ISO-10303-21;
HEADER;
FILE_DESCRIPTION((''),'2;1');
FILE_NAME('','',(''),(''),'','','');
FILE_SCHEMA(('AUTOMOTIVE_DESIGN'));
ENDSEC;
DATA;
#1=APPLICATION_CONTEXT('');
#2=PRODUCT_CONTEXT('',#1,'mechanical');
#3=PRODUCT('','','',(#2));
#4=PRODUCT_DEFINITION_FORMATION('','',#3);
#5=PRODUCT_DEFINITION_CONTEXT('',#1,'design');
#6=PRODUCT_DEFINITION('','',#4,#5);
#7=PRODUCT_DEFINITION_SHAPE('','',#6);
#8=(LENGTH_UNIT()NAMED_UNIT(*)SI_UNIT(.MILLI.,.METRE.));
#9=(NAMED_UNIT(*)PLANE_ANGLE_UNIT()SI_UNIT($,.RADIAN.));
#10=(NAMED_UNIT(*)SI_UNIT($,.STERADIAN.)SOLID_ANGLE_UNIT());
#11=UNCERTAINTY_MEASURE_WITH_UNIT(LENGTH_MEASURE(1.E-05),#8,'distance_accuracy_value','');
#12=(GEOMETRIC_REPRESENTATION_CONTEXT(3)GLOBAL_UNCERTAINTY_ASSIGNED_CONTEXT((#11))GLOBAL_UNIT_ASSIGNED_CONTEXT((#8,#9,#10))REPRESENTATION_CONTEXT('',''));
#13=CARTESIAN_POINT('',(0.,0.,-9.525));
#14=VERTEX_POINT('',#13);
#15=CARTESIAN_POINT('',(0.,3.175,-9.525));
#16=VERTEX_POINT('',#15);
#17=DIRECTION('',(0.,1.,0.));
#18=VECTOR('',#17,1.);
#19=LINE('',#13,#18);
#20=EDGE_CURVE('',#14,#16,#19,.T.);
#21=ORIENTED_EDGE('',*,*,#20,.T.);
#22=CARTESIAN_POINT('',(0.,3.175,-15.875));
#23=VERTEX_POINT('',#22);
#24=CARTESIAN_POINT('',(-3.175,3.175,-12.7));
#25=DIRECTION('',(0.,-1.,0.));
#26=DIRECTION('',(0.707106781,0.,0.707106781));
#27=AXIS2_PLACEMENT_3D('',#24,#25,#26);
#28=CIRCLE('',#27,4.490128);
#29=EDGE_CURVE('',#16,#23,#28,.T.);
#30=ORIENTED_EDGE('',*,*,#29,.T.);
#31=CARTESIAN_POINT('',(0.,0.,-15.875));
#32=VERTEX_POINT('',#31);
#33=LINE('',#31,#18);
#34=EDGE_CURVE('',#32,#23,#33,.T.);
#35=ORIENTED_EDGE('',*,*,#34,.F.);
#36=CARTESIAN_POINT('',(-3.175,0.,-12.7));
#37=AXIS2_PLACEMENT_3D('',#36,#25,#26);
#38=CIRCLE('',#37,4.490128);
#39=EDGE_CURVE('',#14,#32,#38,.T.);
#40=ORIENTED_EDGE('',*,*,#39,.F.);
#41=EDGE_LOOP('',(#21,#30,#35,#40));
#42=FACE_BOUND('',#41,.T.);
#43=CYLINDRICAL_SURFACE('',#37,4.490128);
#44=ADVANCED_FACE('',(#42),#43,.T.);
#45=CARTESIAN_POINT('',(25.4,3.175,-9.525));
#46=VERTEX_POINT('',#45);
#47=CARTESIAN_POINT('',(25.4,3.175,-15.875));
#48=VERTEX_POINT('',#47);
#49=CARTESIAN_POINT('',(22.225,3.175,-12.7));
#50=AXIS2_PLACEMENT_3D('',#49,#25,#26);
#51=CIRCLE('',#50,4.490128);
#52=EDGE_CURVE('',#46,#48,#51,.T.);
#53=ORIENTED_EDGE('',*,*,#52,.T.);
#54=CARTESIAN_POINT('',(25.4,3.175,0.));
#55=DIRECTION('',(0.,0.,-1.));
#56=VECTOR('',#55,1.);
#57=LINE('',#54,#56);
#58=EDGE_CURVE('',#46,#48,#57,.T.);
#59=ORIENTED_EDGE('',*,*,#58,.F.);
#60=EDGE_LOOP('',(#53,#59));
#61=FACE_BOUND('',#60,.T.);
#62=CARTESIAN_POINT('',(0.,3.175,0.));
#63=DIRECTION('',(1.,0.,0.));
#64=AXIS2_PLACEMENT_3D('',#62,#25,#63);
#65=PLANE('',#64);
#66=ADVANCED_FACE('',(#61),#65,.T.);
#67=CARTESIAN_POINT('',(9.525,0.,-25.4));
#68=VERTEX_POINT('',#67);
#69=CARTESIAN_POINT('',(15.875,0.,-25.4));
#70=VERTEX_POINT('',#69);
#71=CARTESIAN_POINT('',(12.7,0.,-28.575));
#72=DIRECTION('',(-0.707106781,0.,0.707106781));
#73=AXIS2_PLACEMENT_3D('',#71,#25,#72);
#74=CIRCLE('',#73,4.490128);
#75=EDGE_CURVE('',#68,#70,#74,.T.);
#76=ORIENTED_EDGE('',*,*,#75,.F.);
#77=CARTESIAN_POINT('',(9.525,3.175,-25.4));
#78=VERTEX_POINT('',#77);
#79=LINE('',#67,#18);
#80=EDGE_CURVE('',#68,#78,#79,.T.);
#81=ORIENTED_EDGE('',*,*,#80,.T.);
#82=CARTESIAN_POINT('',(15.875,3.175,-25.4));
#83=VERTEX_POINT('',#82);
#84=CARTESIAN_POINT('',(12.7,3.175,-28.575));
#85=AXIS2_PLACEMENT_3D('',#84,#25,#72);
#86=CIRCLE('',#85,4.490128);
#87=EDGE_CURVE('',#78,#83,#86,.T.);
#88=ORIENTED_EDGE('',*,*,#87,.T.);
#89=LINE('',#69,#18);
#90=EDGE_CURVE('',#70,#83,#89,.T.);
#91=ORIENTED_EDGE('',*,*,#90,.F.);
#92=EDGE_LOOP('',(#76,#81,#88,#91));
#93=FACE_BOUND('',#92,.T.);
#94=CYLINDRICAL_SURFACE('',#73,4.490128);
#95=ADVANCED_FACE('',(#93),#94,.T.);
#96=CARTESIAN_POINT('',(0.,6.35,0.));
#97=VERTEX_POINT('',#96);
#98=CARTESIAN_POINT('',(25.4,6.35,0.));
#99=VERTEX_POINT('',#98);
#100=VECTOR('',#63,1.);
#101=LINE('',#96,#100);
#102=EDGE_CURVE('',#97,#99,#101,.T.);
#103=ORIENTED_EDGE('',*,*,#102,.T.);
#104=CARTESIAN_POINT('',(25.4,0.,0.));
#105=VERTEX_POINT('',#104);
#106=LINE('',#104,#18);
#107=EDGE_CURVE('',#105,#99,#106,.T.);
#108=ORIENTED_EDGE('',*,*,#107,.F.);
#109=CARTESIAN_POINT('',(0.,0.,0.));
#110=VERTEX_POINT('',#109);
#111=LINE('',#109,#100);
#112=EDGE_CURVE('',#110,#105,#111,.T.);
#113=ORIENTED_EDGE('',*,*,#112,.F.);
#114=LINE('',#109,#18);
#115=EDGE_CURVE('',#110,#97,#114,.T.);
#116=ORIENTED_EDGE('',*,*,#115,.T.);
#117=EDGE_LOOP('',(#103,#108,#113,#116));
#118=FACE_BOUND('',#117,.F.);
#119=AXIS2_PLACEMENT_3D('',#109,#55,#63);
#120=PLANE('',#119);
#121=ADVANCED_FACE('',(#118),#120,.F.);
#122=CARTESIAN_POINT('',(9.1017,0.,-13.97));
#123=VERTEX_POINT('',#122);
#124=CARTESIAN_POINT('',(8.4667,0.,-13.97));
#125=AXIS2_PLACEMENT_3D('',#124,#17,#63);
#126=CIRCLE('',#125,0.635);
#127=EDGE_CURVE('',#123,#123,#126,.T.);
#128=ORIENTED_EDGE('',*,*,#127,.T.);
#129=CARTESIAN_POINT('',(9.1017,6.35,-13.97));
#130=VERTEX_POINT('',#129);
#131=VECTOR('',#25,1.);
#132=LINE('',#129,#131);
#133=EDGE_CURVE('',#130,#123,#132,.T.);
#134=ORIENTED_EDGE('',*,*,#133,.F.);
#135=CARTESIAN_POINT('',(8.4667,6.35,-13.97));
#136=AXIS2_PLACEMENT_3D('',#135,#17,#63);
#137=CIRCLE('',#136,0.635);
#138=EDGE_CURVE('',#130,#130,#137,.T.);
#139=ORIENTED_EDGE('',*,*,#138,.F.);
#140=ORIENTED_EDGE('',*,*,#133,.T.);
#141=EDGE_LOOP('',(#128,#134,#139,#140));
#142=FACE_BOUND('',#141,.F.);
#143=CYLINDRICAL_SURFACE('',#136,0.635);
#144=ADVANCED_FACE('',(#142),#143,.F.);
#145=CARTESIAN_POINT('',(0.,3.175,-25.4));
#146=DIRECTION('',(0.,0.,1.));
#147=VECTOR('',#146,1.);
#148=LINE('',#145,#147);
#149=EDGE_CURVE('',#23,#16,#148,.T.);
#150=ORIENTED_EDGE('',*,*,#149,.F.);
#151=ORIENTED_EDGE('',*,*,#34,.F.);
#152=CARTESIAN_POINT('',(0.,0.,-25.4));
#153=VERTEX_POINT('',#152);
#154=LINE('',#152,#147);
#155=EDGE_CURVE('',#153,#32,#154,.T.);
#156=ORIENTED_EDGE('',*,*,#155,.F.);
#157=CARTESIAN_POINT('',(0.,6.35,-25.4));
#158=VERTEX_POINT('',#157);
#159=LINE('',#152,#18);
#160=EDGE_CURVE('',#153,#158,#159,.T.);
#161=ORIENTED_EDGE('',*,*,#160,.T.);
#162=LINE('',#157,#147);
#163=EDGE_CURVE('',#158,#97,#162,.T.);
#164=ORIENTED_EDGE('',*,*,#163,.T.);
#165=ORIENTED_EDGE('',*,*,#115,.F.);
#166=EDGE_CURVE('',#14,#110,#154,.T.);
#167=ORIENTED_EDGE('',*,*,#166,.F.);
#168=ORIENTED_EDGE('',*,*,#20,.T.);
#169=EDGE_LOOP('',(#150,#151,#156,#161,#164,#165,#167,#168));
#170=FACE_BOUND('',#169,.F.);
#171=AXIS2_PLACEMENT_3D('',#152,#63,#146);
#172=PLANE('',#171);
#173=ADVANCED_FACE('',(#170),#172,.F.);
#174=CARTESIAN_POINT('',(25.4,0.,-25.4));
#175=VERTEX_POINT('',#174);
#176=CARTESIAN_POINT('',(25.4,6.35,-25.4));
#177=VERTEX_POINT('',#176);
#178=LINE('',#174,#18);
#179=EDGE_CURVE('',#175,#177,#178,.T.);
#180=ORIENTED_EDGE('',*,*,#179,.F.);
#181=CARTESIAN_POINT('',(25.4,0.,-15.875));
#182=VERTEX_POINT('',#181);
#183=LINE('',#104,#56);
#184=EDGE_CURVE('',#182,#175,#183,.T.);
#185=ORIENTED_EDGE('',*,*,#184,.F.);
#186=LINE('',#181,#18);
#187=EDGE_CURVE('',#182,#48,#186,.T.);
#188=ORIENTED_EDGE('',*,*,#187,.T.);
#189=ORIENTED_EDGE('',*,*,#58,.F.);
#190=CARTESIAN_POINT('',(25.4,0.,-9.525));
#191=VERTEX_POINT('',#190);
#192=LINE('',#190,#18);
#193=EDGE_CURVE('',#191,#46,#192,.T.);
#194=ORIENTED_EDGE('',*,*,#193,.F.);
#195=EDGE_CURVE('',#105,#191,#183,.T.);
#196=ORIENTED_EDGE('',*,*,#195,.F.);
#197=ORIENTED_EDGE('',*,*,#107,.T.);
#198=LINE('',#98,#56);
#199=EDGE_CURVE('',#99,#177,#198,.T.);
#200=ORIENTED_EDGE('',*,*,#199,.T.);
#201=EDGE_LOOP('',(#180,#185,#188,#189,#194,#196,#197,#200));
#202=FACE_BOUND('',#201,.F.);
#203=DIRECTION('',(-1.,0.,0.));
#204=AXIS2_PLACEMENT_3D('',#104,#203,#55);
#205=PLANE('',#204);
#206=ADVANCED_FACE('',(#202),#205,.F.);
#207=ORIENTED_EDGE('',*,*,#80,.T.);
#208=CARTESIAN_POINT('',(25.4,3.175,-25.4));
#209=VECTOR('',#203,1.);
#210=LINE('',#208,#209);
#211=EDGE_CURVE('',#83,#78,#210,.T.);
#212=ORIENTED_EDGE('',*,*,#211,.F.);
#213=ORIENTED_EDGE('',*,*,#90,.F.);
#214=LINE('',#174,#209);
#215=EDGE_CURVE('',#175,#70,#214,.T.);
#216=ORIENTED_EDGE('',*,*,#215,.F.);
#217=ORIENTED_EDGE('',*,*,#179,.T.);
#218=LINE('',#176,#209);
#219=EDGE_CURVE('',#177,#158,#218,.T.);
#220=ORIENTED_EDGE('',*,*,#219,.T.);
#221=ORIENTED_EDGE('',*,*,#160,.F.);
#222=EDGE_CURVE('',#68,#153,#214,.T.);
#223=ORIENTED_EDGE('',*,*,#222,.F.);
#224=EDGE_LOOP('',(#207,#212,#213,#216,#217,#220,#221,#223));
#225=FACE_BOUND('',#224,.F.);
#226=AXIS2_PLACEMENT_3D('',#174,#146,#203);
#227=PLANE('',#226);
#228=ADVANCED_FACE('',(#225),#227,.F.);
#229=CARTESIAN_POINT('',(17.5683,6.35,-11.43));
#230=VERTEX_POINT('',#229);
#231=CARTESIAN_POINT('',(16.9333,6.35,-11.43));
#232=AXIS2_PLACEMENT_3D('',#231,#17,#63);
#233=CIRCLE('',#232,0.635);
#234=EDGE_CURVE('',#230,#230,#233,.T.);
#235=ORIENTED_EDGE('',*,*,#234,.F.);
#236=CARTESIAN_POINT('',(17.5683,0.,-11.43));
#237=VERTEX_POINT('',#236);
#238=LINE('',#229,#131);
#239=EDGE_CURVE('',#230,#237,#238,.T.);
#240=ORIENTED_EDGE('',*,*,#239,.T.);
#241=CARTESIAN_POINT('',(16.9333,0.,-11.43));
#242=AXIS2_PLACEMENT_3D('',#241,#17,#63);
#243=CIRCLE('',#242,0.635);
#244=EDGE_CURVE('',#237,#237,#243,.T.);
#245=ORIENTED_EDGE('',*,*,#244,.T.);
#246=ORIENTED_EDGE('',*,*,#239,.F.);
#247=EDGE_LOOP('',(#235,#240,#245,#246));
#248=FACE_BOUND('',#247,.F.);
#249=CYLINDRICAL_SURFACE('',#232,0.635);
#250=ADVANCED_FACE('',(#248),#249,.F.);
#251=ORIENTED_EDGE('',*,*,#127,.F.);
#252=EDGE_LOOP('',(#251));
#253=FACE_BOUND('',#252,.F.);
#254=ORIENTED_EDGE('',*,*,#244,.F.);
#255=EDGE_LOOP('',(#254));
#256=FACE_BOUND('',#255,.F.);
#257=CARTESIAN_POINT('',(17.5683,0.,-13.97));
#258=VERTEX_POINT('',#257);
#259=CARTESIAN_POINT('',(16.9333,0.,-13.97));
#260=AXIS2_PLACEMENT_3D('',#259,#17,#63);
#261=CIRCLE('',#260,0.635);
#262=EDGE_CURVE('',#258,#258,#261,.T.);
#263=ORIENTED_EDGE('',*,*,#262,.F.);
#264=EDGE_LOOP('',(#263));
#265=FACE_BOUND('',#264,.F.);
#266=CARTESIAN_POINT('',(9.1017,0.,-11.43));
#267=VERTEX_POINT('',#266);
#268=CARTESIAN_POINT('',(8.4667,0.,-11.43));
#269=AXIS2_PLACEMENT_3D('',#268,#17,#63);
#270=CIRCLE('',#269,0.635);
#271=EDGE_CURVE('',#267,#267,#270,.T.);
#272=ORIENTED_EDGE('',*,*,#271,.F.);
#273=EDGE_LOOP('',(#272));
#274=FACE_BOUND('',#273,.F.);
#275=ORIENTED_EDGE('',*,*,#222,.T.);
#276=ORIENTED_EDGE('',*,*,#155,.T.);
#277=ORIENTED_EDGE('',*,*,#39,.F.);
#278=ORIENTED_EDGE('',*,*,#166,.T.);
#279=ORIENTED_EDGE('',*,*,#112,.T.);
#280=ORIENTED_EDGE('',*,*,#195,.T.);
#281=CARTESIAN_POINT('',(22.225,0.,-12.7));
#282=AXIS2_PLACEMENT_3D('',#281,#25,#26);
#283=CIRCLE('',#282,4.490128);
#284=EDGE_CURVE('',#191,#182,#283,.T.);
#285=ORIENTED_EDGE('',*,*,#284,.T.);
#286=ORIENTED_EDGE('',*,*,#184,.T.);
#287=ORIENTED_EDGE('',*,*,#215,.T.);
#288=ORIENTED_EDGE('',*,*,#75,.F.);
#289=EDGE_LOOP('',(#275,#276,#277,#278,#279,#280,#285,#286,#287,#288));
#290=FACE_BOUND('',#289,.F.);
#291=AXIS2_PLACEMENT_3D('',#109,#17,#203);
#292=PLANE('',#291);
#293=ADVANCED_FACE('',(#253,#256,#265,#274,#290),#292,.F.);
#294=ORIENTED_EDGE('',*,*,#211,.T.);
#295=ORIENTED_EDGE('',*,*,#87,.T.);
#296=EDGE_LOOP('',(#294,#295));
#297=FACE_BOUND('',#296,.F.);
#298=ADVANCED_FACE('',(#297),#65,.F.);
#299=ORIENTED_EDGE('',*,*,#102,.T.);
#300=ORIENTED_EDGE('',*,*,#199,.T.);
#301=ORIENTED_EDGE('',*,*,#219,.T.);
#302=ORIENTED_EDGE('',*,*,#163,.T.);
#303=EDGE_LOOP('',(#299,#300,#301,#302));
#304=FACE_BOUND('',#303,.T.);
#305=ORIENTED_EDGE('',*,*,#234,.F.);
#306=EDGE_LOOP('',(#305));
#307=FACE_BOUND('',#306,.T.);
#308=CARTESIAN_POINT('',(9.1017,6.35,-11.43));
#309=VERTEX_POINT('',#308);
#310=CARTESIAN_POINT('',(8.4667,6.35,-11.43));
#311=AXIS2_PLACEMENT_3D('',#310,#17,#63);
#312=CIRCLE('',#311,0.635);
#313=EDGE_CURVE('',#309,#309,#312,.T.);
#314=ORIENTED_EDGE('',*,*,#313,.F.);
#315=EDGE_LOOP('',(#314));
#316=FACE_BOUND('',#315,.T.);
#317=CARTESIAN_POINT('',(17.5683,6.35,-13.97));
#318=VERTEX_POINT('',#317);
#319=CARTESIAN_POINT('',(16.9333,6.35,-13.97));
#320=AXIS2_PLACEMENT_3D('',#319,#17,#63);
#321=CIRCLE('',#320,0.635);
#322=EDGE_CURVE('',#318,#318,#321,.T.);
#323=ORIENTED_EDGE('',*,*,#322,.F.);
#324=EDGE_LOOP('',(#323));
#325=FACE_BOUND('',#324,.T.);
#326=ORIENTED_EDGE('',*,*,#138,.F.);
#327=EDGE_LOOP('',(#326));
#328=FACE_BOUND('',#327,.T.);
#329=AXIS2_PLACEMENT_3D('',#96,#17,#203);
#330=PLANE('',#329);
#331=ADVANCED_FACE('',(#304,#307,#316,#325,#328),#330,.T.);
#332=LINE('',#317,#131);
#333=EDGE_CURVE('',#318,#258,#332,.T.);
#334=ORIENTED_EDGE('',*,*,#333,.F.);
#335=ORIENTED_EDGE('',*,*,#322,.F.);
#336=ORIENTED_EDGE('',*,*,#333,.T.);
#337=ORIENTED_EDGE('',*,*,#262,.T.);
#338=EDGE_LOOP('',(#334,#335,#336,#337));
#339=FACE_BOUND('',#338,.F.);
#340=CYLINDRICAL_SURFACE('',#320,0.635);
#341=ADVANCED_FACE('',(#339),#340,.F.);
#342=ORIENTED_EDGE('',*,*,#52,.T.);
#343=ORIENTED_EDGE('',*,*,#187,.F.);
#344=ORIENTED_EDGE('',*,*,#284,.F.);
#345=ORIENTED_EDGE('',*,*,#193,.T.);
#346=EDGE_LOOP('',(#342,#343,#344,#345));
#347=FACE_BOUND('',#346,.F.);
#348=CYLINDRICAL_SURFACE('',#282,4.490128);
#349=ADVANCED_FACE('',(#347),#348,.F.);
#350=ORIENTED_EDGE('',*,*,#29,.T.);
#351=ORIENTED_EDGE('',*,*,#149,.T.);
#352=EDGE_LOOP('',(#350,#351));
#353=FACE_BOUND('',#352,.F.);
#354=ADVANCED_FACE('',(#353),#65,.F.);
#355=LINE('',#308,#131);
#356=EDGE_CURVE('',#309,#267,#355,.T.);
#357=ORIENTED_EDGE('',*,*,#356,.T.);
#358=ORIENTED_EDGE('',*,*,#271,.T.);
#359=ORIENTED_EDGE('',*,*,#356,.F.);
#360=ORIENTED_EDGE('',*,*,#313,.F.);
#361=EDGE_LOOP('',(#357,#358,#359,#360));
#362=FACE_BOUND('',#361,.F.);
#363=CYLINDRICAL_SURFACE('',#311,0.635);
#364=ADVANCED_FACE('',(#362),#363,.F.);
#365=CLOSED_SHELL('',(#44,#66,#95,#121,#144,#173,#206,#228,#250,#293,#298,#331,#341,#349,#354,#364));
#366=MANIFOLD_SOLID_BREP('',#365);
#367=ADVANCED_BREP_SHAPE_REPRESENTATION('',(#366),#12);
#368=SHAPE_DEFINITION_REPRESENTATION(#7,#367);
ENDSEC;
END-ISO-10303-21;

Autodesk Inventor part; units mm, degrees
ref_plane "YZ Plane" through (0, 0, 0) normal (1, 0, 0) x (0, 1, 0)
ref_plane "XZ Plane" through (0, 0, 0) normal (0, 1, 0) x (-1, 0, 0)
ref_plane "XY Plane" through (0, 0, 0) normal (0, 0, 1) x (1, 0, 0)
sketch "Sketch1" plane through (0, 0, 0) normal (0, 1, 0) x (-1, 0, 0)
  line L0 (0, 0) -> (-25.4, 0)
  line L1 (-25.4, 0) -> (-25.4, -25.4)
  line L2 (-25.4, -25.4) -> (0, -25.4)
  line L3 (0, -25.4) -> (0, 0)
  dimension "d0" = 25.4
extrude "Extrusion1" add sketch "Sketch1" along normal blind 6.35
sketch "Sketch2" plane through (0, 6.35, 0) normal (0, 1, 0) x (1, 0, 0)
  circle A0 centre (8.4667, 13.97) radius 0.635
  circle A1 centre (16.9333, 13.97) radius 0.635
  circle A2 centre (16.9333, 11.43) radius 0.635
  circle A3 centre (8.4667, 11.43) radius 0.635
  line L0 (25.4, 0) -> (25.4, 25.4) projected
  line L1 (0, 0) -> (25.4, 0) projected
  dimension "d3" = 8.4667
  dimension "d4" = 8.4667
  dimension "d5" = 2.54
  dimension "d6" = 1.27
  dimension "d7" = 11.43
extrude "Extrusion2" cut sketch "Sketch2" against normal blind 6.35
sketch "Sketch4" plane through (0, 0, 0) normal (0, -1, 0) x (1, 0, 0)
  line L0 (25.4, -25.4) -> (0, -25.4) projected
  arc A0 (9.525, -25.4) -> (15.875, -25.4) centre (12.7, -28.575) ccw
  line L1 (15.875, -25.4) -> (9.525, -25.4)
  point P0 (0, 0)
  dimension "d10" = 90
  dimension "d11" = 6.35
  dimension "d12" = 9.525
extrude "Extrusion3" add sketch "Sketch4" against normal blind 3.175
sketch "Sketch6" plane through (0, 0, 0) normal (0, -1, 0) x (1, 0, 0)
  line L0 (25.4, 0) -> (25.4, -25.4) projected
  arc A0 (25.4, -9.525) -> (25.4, -15.875) centre (22.225, -12.7) ccw
  line L1 (25.4, -15.875) -> (25.4, -9.525)
  point P0 (0, 0)
  dimension "d21" = 6.35
  dimension "d22" = 90
  dimension "d23" = 9.525
extrude "Extrusion5" cut sketch "Sketch6" against normal blind 3.175
sketch "Sketch7" plane through (0, 0, 0) normal (0, -1, 0) x (1, 0, 0)
  line L0 (0, -25.4) -> (0, 0) projected
  arc A0 (0, -9.525) -> (0, -15.875) centre (-3.175, -12.7) ccw
  line L1 (0, -15.875) -> (0, -9.525)
  dimension "d26" = 6.35
  dimension "d27" = 90
  dimension "d28" = 9.525
extrude "Extrusion6" add sketch "Sketch7" against normal blind 3.175
equation "\"d1\" = 0.25 * d0"
equation "\"d3\" = 0.333333 * d0"
equation "\"d4\" = d3"
equation "\"d8\" = 0.25 * d0"
equation "\"d11\" = 0.25 * d0"
equation "\"d12\" = 0.375 * d0"
equation "\"d13\" = 0.5 * d1"
equation "\"d21\" = 0.25 * d0"
equation "\"d23\" = 0.375 * d0"
equation "\"d24\" = 0.5 * d1"
equation "\"d26\" = 0.25 * d0"
equation "\"d28\" = 0.375 * d0"
equation "\"d29\" = 0.5 * d1"
properties part number "pieceBase"
